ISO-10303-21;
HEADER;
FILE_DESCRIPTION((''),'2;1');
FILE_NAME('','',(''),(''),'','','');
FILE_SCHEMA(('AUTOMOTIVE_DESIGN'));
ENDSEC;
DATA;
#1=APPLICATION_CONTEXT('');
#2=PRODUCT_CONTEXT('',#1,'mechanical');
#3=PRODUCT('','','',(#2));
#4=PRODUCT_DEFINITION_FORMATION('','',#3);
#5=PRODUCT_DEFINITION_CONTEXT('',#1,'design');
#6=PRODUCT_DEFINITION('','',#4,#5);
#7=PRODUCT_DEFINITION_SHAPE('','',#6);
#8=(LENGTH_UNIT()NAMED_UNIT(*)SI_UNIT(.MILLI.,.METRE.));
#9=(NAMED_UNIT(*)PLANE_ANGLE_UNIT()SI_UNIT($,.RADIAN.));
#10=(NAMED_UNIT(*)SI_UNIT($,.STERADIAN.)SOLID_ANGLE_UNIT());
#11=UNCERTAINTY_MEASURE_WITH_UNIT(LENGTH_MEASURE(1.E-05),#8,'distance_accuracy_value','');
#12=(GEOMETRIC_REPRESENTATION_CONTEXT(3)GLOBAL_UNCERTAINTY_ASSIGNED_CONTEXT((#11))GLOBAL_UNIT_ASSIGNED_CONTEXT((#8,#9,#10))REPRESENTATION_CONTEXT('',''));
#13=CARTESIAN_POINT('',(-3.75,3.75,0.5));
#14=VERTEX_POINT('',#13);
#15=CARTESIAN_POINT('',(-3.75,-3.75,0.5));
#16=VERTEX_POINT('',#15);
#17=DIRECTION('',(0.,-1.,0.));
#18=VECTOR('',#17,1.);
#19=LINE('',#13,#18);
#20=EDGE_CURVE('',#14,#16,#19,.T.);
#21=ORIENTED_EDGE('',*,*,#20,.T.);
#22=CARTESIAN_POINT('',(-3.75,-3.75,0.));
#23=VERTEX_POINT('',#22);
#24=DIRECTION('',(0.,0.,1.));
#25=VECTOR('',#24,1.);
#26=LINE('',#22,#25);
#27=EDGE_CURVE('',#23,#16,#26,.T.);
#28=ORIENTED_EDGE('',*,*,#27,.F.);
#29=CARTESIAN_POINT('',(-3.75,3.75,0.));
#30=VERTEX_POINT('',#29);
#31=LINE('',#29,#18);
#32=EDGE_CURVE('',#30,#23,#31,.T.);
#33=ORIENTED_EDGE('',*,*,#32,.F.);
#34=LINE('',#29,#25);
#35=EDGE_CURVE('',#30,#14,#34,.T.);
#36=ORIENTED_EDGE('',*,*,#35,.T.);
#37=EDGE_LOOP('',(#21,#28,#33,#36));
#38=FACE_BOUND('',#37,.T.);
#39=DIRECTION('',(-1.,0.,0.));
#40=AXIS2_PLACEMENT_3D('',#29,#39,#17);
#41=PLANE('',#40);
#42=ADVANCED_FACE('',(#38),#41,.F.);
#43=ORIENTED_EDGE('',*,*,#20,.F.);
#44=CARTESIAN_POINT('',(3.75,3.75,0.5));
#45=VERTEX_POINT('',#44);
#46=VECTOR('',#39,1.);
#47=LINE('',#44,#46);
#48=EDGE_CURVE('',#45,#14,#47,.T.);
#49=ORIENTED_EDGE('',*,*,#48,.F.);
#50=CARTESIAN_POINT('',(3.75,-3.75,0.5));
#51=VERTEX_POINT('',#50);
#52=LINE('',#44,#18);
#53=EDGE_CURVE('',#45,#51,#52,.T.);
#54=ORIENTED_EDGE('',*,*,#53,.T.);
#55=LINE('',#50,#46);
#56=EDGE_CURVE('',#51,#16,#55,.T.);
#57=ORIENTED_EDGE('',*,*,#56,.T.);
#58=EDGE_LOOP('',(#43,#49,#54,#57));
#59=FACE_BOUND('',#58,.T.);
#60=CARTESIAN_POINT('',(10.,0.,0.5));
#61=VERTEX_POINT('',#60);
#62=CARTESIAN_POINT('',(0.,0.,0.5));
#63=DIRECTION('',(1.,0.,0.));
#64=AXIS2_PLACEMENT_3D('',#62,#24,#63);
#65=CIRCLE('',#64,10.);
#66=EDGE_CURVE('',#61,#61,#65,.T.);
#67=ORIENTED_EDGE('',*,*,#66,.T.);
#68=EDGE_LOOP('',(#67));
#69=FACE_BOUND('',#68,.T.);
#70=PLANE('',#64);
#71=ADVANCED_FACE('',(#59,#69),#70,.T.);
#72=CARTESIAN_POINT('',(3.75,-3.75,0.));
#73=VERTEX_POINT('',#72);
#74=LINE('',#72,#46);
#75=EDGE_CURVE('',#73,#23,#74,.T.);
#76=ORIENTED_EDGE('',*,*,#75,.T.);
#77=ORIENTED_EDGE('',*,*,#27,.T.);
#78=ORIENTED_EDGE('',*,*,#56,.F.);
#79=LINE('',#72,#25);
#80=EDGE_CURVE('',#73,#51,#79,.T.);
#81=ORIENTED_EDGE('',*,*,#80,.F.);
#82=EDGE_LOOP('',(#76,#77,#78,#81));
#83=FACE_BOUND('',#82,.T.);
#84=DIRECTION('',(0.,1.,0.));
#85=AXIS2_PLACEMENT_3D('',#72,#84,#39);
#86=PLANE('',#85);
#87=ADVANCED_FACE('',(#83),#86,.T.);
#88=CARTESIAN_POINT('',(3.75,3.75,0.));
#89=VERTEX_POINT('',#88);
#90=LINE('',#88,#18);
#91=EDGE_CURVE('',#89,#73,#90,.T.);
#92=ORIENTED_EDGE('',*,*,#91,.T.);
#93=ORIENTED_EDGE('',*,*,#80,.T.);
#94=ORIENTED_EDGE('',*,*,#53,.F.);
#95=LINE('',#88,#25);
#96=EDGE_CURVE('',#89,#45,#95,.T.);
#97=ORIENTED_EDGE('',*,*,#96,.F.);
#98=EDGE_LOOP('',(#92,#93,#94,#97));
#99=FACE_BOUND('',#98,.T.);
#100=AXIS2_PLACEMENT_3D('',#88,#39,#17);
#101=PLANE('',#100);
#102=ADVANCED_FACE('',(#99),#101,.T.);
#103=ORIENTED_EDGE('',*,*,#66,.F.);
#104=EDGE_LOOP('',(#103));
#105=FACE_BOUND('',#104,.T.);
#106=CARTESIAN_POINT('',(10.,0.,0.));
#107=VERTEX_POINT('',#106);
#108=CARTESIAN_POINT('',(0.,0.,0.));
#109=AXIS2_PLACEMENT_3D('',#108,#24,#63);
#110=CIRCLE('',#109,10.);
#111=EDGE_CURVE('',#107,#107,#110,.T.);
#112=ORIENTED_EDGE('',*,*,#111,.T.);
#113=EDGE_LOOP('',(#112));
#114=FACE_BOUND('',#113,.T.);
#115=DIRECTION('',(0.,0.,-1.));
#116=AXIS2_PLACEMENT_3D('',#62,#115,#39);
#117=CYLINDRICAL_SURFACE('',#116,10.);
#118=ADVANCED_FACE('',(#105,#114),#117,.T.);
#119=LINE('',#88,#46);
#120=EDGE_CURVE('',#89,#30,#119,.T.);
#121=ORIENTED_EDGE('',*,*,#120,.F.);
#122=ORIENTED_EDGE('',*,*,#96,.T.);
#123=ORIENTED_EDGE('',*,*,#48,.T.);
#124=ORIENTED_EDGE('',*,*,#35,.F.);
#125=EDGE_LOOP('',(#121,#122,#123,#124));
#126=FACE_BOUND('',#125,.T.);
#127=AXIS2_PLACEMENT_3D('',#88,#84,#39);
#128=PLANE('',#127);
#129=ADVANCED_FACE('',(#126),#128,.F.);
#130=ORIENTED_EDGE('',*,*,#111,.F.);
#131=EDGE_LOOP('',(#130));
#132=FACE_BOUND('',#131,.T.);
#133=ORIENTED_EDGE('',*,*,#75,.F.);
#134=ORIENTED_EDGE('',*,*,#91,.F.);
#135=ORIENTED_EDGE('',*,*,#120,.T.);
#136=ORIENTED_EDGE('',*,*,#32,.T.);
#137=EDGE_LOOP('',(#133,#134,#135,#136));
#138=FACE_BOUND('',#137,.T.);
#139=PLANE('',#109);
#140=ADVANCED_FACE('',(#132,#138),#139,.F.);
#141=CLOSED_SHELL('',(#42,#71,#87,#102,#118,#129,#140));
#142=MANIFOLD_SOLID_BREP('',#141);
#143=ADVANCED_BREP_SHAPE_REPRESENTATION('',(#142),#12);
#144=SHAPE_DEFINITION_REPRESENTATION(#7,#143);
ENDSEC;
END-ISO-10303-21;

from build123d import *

# Parameters (mm, degrees)
SKETCH1_R           = 10
BOSS_EXTRUDE1_DEPTH = 0.5
SKETCH2_W           = 7.5
SKETCH2_H           = 7.5
BOSS_EXTRUDE2_DEPTH = 0.5
SKETCH3_W           = 7.5
SKETCH3_H           = 7.5
CUT_EXTRUDE1_DEPTH  = 15.150971698


with BuildPart() as part:
    # Sketch1 → Boss-Extrude1 (new body)
    with BuildSketch(Plane.XY):
        Circle(SKETCH1_R)
    extrude(amount=BOSS_EXTRUDE1_DEPTH)

    # Sketch2 → Boss-Extrude2 (add, through all)
    with BuildSketch(Plane.XY.offset(0.5)):
        Rectangle(SKETCH2_W, SKETCH2_H)
    extrude(amount=-BOSS_EXTRUDE2_DEPTH)

    # Sketch3 → Cut-Extrude1 (cut, through all)
    with BuildSketch(Plane.XY.offset(0.5)):
        Rectangle(SKETCH3_W, SKETCH3_H)
    extrude(amount=-CUT_EXTRUDE1_DEPTH, mode=Mode.SUBTRACT)


solid = part.part
